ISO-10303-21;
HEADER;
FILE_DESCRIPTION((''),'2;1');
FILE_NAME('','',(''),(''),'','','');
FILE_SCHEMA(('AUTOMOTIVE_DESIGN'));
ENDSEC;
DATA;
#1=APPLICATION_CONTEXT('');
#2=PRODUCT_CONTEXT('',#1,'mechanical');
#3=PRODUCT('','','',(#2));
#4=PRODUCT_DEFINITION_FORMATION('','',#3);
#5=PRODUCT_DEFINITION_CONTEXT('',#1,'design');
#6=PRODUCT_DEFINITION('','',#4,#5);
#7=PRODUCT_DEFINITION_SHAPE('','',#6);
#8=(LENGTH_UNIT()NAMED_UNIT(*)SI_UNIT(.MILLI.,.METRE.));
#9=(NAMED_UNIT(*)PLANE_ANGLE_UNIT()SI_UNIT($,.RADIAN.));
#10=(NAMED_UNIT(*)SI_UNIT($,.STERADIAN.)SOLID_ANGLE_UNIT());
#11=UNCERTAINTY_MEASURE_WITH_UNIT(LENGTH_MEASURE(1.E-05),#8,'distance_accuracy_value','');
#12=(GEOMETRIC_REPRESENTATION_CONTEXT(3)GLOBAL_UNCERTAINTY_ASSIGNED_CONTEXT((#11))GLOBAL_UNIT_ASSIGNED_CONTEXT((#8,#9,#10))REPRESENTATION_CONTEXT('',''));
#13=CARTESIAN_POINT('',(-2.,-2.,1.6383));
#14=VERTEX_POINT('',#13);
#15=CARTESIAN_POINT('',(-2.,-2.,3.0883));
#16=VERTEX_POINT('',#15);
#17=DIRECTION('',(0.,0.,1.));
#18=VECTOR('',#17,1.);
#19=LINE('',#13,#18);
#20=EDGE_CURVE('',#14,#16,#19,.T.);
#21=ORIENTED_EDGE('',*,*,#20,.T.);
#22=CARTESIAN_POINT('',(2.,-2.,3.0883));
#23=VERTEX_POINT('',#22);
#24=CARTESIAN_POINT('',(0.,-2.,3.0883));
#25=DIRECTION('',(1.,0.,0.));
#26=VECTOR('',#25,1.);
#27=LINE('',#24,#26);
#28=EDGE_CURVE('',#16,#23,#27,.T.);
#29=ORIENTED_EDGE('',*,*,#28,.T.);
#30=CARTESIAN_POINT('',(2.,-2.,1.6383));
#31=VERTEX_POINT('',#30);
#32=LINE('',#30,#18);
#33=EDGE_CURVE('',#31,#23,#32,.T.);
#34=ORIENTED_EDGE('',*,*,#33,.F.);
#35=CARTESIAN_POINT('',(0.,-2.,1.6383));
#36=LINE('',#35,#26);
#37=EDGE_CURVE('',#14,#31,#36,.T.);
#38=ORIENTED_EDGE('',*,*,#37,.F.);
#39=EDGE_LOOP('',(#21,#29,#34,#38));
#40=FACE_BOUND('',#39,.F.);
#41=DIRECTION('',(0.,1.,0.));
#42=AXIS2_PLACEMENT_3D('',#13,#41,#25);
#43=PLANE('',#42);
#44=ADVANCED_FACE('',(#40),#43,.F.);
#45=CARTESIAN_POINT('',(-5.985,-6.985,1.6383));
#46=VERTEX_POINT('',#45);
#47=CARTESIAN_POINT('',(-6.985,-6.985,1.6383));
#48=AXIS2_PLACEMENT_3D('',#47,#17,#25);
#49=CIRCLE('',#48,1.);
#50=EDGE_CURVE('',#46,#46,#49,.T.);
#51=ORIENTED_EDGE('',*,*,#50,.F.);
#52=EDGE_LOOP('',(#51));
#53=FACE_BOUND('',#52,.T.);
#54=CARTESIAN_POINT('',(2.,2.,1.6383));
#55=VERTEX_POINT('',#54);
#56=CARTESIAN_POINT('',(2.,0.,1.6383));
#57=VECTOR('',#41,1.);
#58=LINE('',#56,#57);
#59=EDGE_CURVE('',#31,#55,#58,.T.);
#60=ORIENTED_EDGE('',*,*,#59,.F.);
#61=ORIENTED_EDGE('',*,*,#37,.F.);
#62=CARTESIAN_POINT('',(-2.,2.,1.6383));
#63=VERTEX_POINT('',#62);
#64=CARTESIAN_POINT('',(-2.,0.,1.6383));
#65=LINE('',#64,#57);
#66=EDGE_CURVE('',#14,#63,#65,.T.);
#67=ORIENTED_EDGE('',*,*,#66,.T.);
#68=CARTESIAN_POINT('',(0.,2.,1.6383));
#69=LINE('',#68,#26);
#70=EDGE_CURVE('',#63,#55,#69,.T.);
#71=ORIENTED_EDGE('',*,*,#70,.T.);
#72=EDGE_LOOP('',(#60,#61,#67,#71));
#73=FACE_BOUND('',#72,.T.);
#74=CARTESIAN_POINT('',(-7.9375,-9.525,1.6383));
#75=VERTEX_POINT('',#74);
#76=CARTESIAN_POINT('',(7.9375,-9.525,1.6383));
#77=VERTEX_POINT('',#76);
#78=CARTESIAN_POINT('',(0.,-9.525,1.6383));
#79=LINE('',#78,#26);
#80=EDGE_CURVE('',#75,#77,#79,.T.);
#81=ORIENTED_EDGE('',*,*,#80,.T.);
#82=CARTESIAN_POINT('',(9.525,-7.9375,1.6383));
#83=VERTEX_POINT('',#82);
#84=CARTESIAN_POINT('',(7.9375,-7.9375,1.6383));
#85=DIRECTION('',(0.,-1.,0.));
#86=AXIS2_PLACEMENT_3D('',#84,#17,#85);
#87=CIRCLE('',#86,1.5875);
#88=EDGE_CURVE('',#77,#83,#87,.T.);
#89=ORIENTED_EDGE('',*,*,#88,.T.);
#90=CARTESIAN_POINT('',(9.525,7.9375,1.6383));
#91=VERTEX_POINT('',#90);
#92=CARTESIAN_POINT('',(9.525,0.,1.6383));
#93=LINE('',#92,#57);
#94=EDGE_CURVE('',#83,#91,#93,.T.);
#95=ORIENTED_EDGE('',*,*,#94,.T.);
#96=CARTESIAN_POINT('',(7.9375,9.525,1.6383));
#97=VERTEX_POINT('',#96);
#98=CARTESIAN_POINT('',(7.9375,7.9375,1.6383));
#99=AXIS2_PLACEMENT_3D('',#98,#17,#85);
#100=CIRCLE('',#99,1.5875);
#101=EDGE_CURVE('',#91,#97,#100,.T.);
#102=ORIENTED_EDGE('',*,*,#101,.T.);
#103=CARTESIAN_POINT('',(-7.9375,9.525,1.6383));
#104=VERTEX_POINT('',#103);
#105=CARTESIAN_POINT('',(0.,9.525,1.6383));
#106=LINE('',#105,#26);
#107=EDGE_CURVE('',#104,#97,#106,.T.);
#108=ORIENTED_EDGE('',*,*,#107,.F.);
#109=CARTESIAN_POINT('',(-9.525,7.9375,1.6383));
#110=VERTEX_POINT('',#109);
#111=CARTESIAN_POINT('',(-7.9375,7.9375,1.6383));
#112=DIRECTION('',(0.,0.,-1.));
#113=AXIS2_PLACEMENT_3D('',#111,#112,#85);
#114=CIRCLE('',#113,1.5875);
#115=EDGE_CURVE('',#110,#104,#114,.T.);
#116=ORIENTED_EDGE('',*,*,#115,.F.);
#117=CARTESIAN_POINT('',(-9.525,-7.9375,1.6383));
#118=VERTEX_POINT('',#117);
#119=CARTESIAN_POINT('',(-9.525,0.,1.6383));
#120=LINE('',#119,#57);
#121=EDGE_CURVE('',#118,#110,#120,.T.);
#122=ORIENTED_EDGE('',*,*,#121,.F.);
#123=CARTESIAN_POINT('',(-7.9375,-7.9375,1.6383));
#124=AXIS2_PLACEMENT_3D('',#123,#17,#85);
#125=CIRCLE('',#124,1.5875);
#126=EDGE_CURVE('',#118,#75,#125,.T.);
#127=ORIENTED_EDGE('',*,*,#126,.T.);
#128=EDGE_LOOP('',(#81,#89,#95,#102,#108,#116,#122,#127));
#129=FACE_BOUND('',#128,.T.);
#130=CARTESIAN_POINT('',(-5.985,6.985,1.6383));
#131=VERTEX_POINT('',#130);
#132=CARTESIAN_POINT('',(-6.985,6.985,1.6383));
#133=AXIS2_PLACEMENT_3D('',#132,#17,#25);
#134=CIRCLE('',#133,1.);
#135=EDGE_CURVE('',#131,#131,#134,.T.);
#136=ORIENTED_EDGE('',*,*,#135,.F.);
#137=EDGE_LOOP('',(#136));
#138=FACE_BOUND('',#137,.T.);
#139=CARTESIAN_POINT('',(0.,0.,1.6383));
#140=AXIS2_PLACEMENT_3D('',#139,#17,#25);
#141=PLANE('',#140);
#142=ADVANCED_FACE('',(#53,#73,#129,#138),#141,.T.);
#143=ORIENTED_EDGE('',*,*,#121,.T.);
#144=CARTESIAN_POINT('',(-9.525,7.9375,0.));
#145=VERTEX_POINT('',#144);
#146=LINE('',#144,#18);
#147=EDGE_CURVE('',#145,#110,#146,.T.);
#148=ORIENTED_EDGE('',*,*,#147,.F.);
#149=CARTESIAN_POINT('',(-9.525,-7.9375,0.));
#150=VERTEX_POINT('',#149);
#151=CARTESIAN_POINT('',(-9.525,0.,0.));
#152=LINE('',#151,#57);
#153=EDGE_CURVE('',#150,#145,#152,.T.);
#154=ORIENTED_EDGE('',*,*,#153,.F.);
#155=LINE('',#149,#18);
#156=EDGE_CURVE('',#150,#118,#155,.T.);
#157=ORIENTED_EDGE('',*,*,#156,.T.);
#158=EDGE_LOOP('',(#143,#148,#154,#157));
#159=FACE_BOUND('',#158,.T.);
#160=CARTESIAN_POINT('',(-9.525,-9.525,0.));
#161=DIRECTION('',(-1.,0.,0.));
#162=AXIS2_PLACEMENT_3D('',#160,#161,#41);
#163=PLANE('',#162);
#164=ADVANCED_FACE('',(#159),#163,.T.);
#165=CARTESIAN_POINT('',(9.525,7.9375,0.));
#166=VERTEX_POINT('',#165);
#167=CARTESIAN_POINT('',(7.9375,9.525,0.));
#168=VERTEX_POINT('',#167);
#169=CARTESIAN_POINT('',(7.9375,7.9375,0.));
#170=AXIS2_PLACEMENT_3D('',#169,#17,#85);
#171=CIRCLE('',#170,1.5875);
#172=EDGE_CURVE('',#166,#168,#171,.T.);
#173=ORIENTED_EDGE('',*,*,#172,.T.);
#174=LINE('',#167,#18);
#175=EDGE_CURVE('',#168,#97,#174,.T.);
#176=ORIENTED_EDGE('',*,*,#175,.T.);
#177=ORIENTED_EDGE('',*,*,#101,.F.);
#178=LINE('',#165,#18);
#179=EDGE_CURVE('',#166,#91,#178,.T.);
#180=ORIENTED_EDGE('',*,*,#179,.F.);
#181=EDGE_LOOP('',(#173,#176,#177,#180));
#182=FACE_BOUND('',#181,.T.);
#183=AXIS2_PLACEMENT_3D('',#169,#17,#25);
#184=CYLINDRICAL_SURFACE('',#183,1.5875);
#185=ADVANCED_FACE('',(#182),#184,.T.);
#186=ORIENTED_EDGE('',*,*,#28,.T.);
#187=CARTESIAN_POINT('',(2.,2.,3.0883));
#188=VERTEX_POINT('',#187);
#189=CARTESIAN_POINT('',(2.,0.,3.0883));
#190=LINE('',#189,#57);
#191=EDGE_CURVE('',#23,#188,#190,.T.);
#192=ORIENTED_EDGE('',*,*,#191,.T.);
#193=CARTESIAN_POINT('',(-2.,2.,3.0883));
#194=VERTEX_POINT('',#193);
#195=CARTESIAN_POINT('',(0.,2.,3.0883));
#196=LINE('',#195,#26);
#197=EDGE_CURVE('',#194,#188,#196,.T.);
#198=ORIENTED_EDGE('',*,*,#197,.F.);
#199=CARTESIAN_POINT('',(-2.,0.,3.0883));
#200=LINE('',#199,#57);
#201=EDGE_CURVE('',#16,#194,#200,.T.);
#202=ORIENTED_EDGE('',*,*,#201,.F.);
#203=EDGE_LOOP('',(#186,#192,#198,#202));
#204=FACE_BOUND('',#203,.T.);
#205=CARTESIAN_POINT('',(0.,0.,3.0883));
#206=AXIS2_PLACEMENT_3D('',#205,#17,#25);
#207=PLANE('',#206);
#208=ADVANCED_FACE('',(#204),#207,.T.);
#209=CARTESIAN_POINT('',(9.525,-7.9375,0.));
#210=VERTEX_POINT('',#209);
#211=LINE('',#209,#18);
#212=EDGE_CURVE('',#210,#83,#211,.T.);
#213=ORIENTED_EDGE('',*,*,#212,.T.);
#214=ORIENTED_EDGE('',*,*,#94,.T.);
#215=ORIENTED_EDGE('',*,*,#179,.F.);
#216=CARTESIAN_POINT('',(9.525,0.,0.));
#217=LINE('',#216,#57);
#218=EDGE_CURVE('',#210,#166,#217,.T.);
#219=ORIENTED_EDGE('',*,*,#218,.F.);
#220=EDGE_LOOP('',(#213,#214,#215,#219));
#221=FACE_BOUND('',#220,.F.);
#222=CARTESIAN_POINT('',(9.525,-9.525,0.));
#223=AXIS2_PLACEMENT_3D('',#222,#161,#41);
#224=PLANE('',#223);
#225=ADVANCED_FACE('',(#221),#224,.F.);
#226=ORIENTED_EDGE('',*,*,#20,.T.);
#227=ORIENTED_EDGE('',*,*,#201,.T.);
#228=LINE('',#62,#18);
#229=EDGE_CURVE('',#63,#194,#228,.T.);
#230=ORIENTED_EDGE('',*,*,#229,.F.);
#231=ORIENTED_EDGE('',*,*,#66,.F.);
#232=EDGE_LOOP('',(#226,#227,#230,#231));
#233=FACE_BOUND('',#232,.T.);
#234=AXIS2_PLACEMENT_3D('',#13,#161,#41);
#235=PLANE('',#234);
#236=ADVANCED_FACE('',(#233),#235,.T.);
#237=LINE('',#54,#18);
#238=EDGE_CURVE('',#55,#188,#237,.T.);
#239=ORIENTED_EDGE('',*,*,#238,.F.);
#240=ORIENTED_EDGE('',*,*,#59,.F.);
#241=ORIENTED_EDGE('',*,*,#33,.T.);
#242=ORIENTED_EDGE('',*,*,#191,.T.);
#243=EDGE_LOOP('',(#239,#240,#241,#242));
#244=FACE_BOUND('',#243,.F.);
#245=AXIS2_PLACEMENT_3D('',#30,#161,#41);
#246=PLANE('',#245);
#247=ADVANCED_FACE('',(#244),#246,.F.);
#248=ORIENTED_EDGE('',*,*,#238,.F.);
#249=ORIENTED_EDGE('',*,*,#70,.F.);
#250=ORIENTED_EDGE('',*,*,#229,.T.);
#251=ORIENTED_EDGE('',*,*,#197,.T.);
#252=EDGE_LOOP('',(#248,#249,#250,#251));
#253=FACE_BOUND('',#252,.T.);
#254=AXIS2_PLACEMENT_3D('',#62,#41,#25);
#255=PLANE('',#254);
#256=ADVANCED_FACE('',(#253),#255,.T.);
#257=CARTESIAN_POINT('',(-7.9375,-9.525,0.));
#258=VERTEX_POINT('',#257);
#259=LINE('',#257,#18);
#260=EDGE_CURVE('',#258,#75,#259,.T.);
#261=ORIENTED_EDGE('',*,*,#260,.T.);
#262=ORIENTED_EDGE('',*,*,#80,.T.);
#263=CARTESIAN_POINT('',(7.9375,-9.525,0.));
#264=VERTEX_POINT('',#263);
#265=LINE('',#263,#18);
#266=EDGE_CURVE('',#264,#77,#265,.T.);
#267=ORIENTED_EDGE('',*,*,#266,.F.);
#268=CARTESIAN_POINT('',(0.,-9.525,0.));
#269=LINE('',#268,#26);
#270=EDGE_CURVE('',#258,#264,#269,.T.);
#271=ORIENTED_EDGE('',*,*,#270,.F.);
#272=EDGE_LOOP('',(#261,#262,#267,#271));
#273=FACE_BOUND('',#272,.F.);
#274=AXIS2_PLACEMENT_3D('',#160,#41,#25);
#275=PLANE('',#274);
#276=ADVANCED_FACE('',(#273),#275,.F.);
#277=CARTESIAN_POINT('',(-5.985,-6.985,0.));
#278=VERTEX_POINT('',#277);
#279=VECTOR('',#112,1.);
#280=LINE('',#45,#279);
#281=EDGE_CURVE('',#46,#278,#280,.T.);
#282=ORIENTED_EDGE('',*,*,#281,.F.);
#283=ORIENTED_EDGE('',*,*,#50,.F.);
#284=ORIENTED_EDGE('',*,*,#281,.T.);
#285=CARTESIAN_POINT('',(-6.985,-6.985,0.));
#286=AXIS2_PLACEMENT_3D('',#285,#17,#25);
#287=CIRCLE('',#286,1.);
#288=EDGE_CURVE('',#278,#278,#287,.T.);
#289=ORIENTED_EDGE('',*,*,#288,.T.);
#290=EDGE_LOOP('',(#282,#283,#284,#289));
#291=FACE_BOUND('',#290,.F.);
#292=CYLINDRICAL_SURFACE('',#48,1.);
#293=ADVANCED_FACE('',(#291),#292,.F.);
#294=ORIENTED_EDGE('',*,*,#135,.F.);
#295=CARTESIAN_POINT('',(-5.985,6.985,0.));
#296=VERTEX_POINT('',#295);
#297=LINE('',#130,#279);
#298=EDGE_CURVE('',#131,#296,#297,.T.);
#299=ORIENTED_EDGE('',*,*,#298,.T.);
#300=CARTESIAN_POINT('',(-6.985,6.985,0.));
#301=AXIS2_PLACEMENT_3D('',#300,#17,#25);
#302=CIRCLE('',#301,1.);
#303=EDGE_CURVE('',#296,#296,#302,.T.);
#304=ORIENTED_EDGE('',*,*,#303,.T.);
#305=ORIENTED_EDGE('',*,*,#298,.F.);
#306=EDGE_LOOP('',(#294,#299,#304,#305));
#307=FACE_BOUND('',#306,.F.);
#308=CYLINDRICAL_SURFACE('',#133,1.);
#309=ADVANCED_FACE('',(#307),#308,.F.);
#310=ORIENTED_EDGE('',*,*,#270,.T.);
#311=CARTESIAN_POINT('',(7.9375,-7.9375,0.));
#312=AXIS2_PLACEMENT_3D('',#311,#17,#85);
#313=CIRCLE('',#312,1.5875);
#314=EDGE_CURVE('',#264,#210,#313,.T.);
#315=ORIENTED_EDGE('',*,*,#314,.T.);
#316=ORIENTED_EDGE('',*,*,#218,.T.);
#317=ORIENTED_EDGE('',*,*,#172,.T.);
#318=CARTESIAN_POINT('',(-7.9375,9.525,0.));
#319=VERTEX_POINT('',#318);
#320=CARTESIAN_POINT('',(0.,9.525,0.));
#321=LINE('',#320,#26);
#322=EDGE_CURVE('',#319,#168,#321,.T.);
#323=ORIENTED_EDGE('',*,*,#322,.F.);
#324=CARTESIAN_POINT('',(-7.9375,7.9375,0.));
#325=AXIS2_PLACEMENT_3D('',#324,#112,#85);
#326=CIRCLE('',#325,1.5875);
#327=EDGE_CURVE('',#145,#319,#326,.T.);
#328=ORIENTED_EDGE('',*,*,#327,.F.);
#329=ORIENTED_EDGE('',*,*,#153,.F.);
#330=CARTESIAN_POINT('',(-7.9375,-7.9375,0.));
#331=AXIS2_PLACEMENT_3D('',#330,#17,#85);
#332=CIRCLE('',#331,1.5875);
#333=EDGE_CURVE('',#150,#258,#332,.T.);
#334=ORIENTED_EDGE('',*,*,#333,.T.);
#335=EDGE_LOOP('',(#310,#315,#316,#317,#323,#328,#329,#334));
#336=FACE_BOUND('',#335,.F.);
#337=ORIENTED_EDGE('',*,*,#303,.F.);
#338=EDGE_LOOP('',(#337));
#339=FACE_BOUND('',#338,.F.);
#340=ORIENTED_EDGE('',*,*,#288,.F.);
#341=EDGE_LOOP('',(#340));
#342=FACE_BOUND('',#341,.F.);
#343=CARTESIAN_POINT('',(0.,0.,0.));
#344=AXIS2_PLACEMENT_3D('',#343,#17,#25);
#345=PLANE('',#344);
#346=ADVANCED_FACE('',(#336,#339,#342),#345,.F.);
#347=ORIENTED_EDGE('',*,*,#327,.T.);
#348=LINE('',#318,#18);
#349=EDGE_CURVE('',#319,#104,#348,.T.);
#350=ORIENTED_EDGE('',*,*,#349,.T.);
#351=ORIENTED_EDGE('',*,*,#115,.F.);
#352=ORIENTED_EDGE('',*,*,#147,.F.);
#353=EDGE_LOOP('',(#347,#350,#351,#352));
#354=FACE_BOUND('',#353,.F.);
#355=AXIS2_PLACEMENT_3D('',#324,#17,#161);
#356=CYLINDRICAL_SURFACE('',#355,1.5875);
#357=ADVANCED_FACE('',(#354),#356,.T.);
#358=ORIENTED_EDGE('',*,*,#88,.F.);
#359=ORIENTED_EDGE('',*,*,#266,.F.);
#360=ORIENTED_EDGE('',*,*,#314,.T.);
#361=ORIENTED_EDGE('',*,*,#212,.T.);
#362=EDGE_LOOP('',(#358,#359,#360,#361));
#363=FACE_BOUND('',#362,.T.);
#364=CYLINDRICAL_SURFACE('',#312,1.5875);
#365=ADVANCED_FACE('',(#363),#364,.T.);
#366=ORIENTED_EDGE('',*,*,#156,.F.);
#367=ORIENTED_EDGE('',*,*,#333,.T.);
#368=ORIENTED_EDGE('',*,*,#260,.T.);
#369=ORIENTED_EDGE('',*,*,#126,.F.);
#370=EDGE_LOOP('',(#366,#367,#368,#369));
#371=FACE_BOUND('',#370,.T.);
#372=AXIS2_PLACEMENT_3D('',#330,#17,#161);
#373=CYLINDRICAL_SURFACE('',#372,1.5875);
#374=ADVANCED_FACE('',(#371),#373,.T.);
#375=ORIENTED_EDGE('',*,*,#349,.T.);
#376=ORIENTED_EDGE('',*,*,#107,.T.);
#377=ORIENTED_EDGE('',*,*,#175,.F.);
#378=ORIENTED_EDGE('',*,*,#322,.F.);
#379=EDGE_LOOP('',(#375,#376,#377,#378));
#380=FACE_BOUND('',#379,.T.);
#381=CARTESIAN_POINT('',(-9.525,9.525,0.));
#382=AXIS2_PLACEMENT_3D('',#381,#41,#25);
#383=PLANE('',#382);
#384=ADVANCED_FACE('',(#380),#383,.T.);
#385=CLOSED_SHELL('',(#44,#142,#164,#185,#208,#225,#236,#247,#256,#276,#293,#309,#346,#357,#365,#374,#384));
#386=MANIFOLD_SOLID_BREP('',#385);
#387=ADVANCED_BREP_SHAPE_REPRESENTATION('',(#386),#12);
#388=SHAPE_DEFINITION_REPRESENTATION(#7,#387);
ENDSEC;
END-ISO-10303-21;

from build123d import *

# Parameters (mm, degrees)
F0_W     = 19.05
F0_H     = 19.05
F1_DEPTH = 1.6383
F2_R     = 1.5875
F3_R     = 1
F4_DEPTH = 1.6393
F5_W     = 4
F5_H     = 4
F6_DEPTH = 1.45


with BuildPart() as f1:
    # F0 (on Top) → F1 (new body)
    with BuildSketch(Plane.XY):
        Rectangle(F0_W, F0_H)
    extrude(amount=F1_DEPTH)

    # F2
    f2_edges = [f1.edges().sort_by_distance(p)[0] for p in [
        (-9.525, 9.525, 0.81915),
        (9.525, 9.525, 0.81915),
        (9.525, -9.525, 0.81915),
        (-9.525, -9.525, 0.81915),
    ]]
    fillet(f2_edges, radius=F2_R)

    # F3 (on face) → F4 (cut, through all)
    with BuildSketch(Plane.XY.offset(1.6383)):
        with Locations((-6.985, 6.985)):
            Circle(F3_R)
        with Locations((-6.985, -6.985)):
            Circle(F3_R)
    extrude(amount=-F4_DEPTH, mode=Mode.SUBTRACT)

    # F5 (on face) → F6 (join)
    with BuildSketch(Plane.XY.offset(1.6383)):
        Rectangle(F5_W, F5_H)
    extrude(amount=F6_DEPTH)


solid = f1.part
